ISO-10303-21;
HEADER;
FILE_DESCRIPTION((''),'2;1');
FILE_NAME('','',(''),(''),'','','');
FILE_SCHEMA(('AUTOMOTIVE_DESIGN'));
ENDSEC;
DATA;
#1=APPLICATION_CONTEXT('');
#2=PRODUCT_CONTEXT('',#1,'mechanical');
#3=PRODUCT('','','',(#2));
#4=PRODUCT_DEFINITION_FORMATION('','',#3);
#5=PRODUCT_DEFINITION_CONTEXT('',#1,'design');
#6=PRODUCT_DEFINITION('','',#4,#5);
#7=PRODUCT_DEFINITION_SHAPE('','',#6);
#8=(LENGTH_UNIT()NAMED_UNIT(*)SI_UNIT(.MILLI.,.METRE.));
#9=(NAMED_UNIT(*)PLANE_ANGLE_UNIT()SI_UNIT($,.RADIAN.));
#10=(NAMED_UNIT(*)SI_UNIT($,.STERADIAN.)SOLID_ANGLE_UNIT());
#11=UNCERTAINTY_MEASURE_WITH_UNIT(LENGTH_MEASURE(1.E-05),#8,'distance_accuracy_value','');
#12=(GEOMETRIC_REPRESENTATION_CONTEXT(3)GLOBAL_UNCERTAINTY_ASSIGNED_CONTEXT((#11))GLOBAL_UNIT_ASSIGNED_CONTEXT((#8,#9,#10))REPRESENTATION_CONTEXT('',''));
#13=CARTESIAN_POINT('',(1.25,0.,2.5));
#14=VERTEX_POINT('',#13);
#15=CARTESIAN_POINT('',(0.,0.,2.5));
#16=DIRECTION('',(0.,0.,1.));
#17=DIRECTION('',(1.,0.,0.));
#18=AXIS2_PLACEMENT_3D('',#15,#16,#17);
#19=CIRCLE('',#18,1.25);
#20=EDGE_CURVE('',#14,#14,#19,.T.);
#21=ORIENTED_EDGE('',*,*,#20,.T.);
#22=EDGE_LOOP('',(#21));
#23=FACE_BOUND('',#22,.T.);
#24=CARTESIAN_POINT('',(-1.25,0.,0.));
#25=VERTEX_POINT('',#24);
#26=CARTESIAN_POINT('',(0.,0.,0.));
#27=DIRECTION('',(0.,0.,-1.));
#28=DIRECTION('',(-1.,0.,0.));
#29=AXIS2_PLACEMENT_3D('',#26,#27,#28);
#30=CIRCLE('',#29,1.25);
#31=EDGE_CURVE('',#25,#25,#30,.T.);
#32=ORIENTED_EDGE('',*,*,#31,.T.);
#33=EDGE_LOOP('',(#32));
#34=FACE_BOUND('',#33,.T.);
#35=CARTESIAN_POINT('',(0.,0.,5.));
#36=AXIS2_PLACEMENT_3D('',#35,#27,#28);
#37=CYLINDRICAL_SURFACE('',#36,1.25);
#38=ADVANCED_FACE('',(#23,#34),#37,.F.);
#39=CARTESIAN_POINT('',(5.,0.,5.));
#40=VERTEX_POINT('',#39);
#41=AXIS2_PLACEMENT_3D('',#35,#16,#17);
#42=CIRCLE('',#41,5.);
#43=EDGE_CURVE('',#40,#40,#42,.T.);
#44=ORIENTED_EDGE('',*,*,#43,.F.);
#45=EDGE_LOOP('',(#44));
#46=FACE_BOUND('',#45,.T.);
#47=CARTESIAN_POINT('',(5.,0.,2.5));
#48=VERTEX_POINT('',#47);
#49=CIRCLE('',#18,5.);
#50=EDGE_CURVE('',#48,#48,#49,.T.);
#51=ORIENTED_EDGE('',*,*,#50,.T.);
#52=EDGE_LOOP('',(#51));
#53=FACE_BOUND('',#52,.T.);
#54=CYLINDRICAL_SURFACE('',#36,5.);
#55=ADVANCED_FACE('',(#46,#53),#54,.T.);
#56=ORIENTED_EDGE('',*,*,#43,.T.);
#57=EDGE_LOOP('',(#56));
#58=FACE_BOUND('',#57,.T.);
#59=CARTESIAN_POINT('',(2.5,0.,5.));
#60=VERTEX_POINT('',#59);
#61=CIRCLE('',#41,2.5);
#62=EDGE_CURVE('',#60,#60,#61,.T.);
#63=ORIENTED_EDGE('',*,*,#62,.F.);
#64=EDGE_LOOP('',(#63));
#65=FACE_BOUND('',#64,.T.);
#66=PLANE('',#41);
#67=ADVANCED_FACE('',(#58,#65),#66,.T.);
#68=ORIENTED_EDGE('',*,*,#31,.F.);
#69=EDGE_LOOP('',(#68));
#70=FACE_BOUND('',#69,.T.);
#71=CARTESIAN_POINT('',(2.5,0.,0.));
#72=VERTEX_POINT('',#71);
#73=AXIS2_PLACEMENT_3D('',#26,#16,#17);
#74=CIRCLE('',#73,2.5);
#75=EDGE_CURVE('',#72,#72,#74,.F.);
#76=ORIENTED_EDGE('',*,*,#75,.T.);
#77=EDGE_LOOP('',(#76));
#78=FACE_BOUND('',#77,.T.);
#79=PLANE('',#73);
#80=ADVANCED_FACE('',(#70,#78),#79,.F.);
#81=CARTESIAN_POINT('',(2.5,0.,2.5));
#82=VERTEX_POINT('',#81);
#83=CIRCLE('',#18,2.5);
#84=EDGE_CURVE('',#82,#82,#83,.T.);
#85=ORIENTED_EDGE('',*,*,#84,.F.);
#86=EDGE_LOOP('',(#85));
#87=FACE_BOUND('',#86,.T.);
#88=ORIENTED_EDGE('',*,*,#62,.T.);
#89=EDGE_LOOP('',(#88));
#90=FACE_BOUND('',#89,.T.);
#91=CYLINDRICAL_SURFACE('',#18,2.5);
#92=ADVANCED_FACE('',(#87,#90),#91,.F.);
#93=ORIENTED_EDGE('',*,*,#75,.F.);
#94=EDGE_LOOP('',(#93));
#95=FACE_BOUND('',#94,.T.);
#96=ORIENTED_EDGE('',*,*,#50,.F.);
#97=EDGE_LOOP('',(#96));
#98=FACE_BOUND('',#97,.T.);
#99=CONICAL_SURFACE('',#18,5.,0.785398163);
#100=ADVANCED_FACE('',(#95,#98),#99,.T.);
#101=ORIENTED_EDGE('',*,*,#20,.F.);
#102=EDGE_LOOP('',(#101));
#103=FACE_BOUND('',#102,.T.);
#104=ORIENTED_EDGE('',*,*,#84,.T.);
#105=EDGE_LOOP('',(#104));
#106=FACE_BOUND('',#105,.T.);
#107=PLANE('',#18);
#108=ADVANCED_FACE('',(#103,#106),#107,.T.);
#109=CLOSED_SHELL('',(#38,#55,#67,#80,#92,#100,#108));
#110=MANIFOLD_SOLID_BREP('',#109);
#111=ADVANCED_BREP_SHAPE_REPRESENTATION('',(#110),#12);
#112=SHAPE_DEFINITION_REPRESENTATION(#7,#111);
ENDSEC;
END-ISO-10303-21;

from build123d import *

# Parameters (mm, degrees)
SKETCH1_R           = 5
BOSS_EXTRUDE1_DEPTH = 5
SKETCH2_R           = 2.5
CUT_EXTRUDE1_DEPTH  = 2.5
SKETCH3_R           = 1.25
CUT_EXTRUDE2_DEPTH  = 9.660254038
CHAMFER1_SIZE       = 2.5


with BuildPart() as part:
    # Sketch1 → Boss-Extrude1 (new body)
    with BuildSketch(Plane.XY):
        Circle(SKETCH1_R)
    extrude(amount=BOSS_EXTRUDE1_DEPTH)

    # Sketch2 → Cut-Extrude1 (cut)
    with BuildSketch(Plane.XY.offset(5)):
        Circle(SKETCH2_R)
    extrude(amount=-CUT_EXTRUDE1_DEPTH, mode=Mode.SUBTRACT)

    # Sketch3 → Cut-Extrude2 (cut, through all)
    with BuildSketch(Plane(origin=(0, 0, 0), x_dir=(-1, 0, 0), z_dir=(0, 0, -1))):
        Circle(SKETCH3_R)
    extrude(amount=-CUT_EXTRUDE2_DEPTH, mode=Mode.SUBTRACT)

    # Chamfer1
    chamfer1_edges = [part.edges().sort_by_distance(p)[0] for p in [
        (-5, 0, 0),
    ]]
    chamfer(chamfer1_edges, length=CHAMFER1_SIZE)


solid = part.part
